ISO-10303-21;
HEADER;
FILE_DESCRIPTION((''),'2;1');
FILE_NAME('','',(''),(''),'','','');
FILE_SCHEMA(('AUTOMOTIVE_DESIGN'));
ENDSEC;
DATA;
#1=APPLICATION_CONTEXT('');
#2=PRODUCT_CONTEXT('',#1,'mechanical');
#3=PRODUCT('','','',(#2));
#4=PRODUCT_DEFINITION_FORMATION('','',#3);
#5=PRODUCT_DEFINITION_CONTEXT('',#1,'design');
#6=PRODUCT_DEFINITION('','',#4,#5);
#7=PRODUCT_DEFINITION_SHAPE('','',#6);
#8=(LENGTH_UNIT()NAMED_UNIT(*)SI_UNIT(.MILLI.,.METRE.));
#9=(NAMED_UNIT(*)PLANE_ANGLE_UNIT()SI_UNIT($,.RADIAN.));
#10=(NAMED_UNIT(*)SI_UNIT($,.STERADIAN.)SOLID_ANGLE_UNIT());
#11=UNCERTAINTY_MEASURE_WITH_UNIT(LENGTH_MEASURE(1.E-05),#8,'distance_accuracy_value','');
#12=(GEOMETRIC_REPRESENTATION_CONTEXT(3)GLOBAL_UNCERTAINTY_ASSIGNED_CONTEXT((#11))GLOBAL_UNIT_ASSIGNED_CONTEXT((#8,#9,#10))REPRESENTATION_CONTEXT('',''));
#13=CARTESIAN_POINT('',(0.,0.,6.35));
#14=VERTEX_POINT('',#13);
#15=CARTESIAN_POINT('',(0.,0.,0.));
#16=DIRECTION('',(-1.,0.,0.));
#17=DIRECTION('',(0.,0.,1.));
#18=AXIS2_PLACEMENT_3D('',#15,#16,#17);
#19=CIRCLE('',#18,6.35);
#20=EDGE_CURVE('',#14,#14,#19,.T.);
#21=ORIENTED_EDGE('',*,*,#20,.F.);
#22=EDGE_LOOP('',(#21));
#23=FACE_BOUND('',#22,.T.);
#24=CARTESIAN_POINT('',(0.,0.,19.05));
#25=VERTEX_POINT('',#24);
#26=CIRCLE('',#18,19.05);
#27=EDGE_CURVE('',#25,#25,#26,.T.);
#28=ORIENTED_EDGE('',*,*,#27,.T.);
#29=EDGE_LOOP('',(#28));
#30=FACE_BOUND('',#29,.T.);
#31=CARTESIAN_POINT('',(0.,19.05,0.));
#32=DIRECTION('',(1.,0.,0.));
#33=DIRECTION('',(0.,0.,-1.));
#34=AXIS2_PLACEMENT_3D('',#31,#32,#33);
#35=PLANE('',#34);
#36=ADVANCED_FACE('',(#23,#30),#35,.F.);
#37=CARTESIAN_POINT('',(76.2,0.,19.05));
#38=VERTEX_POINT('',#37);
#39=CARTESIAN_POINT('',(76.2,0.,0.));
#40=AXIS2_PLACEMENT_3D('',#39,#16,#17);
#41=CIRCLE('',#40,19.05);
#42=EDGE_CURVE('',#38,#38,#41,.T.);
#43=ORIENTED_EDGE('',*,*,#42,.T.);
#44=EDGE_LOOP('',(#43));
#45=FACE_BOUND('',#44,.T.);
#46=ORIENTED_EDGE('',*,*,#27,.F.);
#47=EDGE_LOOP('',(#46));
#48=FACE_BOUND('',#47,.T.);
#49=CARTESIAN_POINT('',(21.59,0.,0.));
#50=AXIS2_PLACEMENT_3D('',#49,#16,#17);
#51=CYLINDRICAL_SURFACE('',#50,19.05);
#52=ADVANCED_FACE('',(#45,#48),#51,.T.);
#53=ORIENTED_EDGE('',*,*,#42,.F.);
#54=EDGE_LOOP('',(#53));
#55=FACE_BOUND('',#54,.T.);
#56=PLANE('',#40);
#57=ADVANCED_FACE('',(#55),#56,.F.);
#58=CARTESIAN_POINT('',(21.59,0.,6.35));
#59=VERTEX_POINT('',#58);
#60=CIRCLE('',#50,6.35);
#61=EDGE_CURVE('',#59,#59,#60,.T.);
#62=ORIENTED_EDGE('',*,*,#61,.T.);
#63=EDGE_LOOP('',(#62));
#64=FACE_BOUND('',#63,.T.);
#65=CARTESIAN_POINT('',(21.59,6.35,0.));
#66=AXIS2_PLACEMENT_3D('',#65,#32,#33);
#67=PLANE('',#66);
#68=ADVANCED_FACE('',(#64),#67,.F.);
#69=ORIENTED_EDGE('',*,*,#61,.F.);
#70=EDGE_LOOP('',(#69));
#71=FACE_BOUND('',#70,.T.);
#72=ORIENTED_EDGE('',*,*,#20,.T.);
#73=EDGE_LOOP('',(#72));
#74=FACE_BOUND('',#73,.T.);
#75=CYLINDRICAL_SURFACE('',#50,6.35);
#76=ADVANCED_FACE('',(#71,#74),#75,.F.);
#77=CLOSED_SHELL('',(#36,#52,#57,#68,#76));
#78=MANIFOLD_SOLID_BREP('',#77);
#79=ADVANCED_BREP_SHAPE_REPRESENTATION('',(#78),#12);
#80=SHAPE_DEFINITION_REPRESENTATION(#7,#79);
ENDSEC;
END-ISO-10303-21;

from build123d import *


with BuildPart() as part:
    # Sketch1 → Revolve1 (revolve)
    with BuildSketch(Plane.XY):
        Polygon((0, 6.35), (21.59, 6.35), (21.59, 0), (76.2, 0), (76.2, 19.05), (0, 19.05), align=None)
    revolve(axis=Axis((21.59, 0, 0), (1, 0, 0)))


solid = part.part
